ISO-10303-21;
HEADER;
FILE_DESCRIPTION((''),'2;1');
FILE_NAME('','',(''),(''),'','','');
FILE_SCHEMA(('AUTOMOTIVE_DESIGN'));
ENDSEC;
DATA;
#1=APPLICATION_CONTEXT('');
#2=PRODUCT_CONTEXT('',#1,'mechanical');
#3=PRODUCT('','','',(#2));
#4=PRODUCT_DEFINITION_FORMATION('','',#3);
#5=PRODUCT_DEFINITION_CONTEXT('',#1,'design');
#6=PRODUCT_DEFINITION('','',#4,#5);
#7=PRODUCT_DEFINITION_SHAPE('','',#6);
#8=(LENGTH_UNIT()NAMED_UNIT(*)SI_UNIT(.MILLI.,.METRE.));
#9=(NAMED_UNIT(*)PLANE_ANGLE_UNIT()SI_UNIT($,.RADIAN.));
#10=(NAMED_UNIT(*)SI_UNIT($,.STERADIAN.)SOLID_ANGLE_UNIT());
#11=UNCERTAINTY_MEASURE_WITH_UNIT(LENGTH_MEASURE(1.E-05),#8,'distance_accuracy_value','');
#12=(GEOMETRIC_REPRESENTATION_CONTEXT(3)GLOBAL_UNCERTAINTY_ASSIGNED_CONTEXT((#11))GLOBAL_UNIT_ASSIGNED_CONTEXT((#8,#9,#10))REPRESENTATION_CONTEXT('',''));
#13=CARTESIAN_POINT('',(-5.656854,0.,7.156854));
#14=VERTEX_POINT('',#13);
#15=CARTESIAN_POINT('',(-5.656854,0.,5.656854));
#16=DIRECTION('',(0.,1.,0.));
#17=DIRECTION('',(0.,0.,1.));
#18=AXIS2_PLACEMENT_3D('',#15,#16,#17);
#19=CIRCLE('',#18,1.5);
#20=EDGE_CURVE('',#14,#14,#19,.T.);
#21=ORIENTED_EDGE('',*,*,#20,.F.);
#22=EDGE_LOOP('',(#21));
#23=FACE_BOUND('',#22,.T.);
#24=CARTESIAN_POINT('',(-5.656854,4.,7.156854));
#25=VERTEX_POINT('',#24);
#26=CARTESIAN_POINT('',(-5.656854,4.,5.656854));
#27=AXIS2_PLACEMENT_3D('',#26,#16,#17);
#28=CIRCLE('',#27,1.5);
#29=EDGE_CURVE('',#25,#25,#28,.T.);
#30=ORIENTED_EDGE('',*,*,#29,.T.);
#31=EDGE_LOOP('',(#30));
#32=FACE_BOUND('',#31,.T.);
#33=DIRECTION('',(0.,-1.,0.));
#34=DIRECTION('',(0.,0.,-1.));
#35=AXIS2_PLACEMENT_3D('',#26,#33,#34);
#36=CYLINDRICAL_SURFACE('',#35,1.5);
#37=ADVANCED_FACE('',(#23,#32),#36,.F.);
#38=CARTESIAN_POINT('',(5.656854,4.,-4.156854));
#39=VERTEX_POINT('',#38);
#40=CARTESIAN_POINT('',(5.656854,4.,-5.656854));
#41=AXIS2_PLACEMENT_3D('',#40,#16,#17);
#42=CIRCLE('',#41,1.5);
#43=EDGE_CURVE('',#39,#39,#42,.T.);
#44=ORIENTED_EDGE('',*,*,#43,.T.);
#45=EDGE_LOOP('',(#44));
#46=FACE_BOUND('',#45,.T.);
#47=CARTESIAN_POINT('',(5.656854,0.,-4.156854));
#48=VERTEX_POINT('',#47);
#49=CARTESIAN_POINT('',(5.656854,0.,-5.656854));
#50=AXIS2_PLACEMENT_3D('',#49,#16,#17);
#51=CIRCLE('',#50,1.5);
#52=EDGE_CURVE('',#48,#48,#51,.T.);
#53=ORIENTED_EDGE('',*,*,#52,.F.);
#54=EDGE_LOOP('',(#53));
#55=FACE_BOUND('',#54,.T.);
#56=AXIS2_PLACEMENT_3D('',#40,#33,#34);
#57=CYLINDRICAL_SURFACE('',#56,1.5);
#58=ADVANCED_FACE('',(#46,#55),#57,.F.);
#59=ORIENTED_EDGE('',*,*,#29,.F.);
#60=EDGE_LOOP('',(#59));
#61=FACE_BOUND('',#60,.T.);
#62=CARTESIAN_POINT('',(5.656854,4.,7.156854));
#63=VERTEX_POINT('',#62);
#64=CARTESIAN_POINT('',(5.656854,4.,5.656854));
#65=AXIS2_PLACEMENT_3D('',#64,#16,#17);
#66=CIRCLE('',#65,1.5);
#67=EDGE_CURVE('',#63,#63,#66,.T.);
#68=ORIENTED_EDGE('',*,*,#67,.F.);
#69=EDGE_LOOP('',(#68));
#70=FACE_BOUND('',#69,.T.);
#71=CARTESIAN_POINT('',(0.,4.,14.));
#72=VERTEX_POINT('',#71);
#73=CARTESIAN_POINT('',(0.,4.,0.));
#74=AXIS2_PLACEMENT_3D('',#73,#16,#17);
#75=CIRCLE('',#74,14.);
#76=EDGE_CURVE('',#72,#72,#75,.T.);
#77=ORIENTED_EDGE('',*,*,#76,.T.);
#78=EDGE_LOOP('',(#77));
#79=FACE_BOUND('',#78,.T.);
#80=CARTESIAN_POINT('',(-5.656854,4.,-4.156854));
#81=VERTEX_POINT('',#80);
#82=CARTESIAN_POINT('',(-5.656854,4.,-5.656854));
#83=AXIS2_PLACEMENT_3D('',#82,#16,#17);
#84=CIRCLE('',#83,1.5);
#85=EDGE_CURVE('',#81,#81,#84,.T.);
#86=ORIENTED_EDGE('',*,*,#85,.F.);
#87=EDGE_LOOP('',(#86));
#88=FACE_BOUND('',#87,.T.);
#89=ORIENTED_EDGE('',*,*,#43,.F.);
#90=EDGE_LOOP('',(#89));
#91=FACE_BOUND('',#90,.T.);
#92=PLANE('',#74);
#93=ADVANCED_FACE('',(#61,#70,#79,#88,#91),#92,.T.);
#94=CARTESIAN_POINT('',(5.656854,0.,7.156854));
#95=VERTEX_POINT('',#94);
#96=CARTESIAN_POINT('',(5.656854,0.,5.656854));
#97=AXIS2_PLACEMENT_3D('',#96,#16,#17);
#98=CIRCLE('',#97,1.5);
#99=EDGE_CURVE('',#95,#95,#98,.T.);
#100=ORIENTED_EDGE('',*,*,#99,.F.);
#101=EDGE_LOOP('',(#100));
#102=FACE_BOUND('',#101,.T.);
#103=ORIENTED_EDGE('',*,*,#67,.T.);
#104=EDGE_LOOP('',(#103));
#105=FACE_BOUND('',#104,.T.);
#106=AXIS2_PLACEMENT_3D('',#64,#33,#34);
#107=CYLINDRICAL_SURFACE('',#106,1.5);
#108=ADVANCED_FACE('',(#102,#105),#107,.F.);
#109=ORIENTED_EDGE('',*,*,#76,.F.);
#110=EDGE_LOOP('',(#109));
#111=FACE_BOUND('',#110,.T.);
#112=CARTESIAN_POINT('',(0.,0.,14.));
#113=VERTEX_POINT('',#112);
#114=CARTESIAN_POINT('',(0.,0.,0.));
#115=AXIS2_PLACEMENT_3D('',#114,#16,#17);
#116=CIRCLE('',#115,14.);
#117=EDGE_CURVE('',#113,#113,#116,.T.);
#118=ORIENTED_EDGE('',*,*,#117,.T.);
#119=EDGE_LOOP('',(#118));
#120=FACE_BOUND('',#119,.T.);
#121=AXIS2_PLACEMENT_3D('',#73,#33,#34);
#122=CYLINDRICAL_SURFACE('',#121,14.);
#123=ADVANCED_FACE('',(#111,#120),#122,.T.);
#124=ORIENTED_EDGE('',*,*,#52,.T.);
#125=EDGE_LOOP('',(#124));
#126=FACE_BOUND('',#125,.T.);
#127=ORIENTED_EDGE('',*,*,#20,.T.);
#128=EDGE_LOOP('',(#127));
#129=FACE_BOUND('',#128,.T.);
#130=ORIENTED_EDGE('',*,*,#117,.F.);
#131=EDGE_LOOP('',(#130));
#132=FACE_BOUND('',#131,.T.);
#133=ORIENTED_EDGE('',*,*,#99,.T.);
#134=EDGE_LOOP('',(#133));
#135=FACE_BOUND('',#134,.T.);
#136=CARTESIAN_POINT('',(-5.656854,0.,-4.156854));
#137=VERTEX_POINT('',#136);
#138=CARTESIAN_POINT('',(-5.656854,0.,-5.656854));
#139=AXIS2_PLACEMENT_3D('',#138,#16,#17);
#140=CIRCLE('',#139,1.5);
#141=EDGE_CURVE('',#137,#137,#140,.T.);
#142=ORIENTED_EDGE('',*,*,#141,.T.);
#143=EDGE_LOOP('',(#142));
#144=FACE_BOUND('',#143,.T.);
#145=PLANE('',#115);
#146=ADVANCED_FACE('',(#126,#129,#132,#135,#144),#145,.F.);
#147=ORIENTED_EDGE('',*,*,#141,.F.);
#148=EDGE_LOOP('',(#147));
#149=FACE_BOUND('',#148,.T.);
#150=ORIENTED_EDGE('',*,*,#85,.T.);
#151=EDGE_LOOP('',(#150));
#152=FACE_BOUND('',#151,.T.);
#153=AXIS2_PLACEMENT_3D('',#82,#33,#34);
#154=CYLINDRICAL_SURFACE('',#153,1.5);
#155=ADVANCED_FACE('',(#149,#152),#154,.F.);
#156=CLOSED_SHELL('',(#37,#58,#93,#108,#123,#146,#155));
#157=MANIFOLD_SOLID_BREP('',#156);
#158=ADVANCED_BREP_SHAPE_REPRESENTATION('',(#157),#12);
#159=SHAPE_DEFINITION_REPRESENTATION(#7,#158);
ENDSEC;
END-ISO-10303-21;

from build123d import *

# Parameters (mm, degrees)
SKETCH_1_R      = 14
SKETCH_1_R_2    = 1.5
EXTRUDE_1_DEPTH = 4


with BuildPart() as part:
    # 草图1 → 凸台-拉伸1 (new body)
    with BuildSketch(Plane(origin=(0, 0, 0), x_dir=(1, 0, 0), z_dir=(0, 1, 0))):
        Circle(SKETCH_1_R)
        with Locations((-5.656854249, 5.656854249)):
            Circle(SKETCH_1_R_2, mode=Mode.SUBTRACT)
        with Locations((5.656854249, 5.656854249)):
            Circle(SKETCH_1_R_2, mode=Mode.SUBTRACT)
        with Locations((5.656854249, -5.656854249)):
            Circle(SKETCH_1_R_2, mode=Mode.SUBTRACT)
        with Locations((-5.656854249, -5.656854249)):
            Circle(SKETCH_1_R_2, mode=Mode.SUBTRACT)
    extrude(amount=EXTRUDE_1_DEPTH)


solid = part.part
